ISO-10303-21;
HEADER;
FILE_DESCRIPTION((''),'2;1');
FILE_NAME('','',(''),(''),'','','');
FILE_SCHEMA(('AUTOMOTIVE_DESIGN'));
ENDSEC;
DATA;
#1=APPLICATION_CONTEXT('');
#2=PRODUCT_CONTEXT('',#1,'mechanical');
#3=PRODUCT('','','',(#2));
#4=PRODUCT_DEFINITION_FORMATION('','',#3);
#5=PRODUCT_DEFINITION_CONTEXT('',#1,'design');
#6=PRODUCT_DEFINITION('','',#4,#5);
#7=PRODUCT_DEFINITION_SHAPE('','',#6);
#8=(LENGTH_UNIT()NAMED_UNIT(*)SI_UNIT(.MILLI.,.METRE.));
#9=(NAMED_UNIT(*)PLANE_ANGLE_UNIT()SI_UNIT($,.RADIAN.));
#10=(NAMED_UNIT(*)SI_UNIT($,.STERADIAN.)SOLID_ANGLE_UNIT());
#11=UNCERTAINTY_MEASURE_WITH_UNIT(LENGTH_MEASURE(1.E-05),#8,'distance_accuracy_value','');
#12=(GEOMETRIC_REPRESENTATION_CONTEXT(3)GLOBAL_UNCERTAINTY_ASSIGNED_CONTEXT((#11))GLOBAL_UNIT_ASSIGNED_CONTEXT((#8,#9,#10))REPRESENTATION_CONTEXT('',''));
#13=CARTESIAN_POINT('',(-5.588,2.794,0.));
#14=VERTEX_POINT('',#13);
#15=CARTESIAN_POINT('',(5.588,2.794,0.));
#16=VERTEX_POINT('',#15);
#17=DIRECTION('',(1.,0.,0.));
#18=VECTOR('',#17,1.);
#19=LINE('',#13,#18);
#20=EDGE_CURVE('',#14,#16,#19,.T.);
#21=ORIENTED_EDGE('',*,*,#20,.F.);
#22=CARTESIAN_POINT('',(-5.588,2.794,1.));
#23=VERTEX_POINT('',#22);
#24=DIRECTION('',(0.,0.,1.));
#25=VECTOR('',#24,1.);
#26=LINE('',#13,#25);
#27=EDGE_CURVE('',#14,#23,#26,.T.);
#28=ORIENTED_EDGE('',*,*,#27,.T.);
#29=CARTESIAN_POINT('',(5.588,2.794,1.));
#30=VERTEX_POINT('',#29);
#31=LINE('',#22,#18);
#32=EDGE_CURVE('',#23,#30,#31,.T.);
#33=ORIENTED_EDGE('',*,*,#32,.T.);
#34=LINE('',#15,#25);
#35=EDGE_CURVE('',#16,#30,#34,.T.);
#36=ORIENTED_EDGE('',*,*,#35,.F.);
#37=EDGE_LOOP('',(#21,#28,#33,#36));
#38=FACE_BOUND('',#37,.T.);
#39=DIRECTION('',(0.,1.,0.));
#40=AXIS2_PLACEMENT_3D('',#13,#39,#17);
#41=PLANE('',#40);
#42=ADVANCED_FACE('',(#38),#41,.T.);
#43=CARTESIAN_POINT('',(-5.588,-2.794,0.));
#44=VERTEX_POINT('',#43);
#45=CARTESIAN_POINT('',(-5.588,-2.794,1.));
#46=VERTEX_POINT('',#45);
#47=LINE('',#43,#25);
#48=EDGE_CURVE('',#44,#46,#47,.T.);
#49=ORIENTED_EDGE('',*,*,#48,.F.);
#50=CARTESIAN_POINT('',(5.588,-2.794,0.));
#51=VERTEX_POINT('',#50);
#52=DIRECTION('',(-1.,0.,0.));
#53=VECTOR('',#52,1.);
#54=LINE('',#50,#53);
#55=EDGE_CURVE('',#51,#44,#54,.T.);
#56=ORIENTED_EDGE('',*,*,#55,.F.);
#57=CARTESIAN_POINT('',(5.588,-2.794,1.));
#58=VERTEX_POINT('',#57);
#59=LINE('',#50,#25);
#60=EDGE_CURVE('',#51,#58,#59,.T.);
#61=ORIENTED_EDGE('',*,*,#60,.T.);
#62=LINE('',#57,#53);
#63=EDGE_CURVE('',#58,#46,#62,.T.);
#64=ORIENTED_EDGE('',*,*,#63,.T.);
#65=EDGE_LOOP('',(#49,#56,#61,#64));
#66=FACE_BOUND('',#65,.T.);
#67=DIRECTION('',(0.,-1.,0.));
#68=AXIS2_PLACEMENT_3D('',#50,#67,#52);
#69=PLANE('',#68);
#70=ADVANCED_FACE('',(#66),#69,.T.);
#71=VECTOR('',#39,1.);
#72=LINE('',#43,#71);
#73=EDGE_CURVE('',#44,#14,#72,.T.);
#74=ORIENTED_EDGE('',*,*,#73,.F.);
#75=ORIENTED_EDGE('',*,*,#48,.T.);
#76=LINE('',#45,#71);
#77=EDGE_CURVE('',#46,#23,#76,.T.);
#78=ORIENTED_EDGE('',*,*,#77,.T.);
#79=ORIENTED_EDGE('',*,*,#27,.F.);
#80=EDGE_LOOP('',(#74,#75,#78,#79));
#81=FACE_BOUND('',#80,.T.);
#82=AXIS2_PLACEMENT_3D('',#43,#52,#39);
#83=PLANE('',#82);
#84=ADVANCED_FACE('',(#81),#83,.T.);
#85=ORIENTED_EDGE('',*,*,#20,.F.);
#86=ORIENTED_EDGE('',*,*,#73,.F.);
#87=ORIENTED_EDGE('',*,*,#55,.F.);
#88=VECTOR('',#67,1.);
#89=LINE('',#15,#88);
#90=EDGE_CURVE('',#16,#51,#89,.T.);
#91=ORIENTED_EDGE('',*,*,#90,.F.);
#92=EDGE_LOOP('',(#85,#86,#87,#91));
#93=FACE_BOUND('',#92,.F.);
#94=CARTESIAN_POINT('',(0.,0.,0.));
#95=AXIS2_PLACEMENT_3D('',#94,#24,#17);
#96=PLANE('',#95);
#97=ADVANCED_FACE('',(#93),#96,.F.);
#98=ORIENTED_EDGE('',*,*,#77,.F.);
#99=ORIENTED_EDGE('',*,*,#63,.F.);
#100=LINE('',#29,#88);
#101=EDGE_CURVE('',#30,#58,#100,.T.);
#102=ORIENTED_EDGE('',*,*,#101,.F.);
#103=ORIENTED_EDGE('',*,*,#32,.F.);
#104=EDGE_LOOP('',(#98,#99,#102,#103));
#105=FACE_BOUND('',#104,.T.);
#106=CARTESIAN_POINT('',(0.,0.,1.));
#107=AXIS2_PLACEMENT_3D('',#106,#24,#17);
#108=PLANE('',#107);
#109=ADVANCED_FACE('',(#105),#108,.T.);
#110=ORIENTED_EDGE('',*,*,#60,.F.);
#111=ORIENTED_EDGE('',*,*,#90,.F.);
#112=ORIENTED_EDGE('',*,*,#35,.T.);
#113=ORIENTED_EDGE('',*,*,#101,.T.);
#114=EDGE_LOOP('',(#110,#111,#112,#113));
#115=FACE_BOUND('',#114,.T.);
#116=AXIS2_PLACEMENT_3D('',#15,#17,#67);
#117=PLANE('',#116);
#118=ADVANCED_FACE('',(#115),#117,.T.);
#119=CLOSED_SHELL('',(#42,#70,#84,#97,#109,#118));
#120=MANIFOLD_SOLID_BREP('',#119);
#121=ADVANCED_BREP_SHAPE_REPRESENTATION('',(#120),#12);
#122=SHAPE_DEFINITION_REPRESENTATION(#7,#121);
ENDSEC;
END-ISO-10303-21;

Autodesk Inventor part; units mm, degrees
ref_plane "YZ Plane" through (0, 0, 0) normal (1, 0, 0) x (0, 1, 0)
ref_plane "XZ Plane" through (0, 0, 0) normal (0, 1, 0) x (-1, 0, 0)
ref_plane "XY Plane" through (0, 0, 0) normal (0, 0, 1) x (1, 0, 0)
sketch "HC49U-V, 16MHZ_87" plane through (0, 0, 0) normal (0, 0, 1) x (1, 0, 0)
  line L0 (-5.588, 2.794) -> (5.588, 2.794)
  line L1 (5.588, 2.794) -> (5.588, -2.794)
  line L2 (5.588, -2.794) -> (-5.588, -2.794)
  line L3 (-5.588, -2.794) -> (-5.588, 2.794)
extrude "Extrusion1" add sketch "HC49U-V, 16MHZ_87" along normal blind 1
properties part number "16MHZ"
